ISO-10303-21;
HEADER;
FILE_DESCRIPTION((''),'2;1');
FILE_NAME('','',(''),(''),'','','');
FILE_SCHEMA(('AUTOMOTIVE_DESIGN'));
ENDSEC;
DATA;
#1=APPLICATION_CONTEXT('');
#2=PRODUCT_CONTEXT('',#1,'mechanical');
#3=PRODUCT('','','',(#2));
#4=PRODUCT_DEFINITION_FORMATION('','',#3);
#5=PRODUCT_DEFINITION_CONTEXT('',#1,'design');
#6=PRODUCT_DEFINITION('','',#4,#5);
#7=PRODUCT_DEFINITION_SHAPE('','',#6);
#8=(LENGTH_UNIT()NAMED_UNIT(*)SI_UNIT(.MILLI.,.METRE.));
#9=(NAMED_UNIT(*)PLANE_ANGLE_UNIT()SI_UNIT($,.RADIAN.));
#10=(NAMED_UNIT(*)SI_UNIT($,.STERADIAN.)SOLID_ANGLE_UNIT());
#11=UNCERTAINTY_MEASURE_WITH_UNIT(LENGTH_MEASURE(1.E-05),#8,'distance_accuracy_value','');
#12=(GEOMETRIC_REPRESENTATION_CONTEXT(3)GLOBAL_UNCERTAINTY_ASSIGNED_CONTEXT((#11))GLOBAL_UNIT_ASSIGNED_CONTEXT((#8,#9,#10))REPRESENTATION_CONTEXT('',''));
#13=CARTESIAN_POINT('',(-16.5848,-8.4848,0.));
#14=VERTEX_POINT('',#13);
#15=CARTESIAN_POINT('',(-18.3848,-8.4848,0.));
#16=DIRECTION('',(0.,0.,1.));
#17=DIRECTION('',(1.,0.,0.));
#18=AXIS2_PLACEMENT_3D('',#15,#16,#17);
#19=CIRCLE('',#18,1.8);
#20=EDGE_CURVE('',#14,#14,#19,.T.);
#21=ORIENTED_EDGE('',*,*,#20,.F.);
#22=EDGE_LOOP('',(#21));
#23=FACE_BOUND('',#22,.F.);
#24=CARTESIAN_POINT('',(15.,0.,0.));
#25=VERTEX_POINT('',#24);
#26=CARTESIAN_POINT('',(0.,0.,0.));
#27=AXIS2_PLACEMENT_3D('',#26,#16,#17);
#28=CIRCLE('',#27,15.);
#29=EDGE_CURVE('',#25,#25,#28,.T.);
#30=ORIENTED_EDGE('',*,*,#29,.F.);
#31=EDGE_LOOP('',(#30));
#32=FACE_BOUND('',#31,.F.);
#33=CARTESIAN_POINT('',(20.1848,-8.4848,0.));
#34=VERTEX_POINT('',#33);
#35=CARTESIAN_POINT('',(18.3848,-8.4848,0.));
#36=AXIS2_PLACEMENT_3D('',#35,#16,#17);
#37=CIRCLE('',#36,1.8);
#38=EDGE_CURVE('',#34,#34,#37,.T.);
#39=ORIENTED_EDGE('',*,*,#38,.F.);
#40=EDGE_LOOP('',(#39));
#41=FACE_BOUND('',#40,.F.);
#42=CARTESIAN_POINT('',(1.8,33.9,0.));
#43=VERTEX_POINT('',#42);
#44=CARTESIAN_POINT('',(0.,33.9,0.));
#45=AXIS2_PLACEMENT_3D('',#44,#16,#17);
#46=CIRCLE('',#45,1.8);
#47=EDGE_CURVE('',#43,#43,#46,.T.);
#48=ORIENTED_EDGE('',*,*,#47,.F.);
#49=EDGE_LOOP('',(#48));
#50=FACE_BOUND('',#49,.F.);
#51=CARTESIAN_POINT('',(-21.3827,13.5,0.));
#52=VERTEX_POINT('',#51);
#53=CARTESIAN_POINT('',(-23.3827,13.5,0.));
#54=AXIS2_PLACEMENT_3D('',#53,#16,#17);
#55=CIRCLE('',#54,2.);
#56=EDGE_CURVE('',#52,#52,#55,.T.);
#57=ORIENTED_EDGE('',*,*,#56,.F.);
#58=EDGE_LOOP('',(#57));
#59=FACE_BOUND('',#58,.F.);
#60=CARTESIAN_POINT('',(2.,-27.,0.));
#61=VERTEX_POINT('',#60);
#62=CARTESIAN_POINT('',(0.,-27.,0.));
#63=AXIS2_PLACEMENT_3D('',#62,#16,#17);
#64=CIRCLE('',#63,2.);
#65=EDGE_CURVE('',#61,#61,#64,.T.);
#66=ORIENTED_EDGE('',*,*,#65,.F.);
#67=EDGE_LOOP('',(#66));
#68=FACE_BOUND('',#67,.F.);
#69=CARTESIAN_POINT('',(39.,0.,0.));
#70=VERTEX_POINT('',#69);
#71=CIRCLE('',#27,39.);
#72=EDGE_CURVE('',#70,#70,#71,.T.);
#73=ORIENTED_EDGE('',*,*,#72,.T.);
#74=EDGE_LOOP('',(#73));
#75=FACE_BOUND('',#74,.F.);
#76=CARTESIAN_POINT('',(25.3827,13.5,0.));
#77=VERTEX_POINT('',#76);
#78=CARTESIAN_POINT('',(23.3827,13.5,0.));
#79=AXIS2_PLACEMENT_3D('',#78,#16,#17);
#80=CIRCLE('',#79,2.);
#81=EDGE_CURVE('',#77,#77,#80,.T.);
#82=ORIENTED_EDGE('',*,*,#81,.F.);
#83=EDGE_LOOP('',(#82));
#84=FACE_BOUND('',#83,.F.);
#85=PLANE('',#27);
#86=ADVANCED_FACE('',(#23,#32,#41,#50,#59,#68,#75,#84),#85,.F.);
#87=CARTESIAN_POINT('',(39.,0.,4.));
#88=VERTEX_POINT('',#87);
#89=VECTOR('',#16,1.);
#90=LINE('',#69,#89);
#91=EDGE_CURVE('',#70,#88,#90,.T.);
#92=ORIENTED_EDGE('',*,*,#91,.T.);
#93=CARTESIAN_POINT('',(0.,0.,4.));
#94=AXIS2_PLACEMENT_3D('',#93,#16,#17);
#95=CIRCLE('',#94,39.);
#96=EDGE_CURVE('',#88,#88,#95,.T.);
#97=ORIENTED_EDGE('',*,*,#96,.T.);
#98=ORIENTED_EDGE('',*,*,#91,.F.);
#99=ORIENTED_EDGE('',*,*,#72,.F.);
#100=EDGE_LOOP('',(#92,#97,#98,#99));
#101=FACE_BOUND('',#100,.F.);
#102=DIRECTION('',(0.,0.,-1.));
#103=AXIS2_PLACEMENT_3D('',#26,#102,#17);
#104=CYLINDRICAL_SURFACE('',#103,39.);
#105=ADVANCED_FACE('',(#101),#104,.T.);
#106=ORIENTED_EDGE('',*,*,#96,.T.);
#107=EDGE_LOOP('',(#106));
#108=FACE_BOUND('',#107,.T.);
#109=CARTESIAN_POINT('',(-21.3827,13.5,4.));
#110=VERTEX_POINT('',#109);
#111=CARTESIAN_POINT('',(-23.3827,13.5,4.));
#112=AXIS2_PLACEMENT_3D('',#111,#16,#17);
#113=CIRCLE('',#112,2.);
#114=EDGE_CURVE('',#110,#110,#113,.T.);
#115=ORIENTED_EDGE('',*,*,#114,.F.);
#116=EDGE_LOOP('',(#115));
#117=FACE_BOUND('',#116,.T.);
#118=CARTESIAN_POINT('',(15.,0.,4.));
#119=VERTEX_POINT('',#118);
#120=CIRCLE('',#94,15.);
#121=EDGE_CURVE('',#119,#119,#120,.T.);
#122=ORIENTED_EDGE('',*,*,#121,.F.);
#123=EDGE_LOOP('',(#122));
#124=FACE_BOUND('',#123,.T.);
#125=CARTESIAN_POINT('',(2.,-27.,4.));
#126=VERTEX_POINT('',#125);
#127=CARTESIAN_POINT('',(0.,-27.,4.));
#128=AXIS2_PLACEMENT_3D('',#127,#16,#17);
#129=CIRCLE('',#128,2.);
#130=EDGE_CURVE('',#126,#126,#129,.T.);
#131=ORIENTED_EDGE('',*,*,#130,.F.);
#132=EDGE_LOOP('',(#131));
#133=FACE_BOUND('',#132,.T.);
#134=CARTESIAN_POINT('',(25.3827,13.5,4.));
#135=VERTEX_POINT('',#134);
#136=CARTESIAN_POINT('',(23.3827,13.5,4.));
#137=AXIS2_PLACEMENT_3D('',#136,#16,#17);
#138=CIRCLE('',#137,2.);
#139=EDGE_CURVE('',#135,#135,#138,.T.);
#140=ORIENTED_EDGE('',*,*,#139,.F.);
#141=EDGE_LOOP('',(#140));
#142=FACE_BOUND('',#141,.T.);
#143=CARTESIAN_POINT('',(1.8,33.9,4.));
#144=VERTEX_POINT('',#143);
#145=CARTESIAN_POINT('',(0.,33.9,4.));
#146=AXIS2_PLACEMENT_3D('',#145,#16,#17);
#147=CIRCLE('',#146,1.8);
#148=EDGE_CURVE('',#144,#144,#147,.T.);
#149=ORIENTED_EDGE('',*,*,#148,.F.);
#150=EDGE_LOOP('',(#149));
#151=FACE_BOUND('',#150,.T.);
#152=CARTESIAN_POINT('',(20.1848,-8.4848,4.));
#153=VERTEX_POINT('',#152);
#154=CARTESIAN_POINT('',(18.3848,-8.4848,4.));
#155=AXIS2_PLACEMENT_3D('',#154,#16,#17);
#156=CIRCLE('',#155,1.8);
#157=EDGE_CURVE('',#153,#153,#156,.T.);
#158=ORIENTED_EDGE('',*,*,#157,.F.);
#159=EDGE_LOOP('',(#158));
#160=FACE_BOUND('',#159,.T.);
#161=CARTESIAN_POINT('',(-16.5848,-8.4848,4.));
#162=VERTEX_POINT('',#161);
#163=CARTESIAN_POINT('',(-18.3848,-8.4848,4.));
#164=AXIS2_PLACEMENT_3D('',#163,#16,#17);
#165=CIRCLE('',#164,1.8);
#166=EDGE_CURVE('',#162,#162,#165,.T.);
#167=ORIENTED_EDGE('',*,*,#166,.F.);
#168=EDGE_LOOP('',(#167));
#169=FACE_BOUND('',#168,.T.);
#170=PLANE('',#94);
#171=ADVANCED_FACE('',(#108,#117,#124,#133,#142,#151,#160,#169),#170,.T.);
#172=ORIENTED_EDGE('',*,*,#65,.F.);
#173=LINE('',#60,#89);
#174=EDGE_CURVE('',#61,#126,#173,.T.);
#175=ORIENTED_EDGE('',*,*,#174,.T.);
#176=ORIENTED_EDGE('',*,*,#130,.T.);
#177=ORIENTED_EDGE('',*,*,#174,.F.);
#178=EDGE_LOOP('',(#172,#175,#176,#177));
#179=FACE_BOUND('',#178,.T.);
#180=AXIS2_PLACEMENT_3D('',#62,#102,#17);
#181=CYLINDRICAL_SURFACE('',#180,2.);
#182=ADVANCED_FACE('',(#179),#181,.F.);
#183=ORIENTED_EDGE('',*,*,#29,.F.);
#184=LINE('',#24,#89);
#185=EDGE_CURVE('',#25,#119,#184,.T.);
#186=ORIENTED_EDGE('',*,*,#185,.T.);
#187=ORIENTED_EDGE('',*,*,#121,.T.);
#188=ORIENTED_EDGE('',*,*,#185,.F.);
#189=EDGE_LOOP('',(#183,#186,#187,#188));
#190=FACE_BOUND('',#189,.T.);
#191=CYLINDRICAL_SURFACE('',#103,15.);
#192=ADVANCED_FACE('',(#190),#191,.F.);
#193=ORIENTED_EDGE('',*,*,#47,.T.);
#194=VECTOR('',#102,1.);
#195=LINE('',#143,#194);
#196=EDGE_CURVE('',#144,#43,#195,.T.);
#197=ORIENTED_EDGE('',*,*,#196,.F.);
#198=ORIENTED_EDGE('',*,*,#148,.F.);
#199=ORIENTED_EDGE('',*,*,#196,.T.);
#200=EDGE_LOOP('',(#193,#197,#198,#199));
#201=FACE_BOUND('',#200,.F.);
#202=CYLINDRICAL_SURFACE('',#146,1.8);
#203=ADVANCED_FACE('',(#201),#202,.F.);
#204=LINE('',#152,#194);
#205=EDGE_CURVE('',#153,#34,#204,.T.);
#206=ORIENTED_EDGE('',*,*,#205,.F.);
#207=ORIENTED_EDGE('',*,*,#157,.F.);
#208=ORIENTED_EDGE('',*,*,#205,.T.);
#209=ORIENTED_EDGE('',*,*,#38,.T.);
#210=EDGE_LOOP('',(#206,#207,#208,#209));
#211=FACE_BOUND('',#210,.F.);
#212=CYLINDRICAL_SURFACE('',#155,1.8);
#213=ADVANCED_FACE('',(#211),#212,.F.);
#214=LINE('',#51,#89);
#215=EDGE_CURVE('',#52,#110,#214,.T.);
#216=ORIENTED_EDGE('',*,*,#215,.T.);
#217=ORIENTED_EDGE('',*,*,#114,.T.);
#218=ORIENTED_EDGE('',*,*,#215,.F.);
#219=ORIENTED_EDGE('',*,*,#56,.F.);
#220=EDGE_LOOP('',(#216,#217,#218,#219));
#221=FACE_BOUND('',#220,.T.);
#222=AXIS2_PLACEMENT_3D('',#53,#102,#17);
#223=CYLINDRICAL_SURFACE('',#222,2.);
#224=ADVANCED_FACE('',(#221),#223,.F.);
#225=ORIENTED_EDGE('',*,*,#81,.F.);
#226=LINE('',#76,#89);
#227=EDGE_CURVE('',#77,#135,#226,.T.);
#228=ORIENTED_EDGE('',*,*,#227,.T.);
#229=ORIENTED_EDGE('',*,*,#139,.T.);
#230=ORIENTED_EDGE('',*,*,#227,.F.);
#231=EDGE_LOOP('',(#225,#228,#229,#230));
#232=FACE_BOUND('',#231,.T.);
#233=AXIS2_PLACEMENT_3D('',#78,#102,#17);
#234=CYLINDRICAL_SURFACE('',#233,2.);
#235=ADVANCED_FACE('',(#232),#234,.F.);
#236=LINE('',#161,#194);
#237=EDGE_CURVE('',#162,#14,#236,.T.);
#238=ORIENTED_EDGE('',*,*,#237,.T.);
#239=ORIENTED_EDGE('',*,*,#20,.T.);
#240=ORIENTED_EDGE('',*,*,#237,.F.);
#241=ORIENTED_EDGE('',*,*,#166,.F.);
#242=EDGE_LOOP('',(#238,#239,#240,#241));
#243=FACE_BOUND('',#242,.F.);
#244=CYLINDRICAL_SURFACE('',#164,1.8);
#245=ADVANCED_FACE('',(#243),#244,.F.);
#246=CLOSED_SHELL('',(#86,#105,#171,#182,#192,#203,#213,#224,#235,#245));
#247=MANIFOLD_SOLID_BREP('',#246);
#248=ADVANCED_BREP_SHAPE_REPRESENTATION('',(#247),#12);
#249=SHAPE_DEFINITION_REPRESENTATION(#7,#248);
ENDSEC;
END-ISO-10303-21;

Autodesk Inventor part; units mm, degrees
ref_plane "YZ Plane" through (0, 0, 0) normal (1, 0, 0) x (0, 1, 0)
ref_plane "XZ Plane" through (0, 0, 0) normal (0, 1, 0) x (-1, 0, 0)
ref_plane "XY Plane" through (0, 0, 0) normal (0, 0, 1) x (1, 0, 0)
sketch "Sketch1" plane through (0, 0, 0) normal (0, 0, 1) x (1, 0, 0)
  circle A0 centre (0, 0) radius 39
  circle A1 centre (0, -27) radius 2
  circle A2 centre (23.3827, 13.5) radius 2
  circle A3 centre (-23.3827, 13.5) radius 2
  circle A4 centre (0, 0) radius 15
  dimension "d2" = 4
  dimension "d3" = 27
  dimension "d4" = 360
  dimension "d5" = 30
  dimension "d12" = 78
extrude "Extrusion1" add sketch "Sketch1" along normal blind 4
sketch "Sketch4" plane through (0, 0, 4) normal (0, 0, 1) x (1, 0, 0)
  circle A0 centre (0, 33.9) radius 1.8
  circle A1 centre (-18.3848, -8.4848) radius 1.8
  circle A2 centre (18.3848, -8.4848) radius 1.8
  circle A3 centre (0, 0) radius 39
  circle A4 centre (-23.3827, 13.5) radius 1.5001
  circle A5 centre (0, -27) radius 1.5001
  circle A6 centre (23.3827, 13.5) radius 1.5001
extrude "Extrusion4" cut sketch "Sketch4" against normal blind 4 contours A0 | A1 | A2
properties part number "SUPORT STEEP"
